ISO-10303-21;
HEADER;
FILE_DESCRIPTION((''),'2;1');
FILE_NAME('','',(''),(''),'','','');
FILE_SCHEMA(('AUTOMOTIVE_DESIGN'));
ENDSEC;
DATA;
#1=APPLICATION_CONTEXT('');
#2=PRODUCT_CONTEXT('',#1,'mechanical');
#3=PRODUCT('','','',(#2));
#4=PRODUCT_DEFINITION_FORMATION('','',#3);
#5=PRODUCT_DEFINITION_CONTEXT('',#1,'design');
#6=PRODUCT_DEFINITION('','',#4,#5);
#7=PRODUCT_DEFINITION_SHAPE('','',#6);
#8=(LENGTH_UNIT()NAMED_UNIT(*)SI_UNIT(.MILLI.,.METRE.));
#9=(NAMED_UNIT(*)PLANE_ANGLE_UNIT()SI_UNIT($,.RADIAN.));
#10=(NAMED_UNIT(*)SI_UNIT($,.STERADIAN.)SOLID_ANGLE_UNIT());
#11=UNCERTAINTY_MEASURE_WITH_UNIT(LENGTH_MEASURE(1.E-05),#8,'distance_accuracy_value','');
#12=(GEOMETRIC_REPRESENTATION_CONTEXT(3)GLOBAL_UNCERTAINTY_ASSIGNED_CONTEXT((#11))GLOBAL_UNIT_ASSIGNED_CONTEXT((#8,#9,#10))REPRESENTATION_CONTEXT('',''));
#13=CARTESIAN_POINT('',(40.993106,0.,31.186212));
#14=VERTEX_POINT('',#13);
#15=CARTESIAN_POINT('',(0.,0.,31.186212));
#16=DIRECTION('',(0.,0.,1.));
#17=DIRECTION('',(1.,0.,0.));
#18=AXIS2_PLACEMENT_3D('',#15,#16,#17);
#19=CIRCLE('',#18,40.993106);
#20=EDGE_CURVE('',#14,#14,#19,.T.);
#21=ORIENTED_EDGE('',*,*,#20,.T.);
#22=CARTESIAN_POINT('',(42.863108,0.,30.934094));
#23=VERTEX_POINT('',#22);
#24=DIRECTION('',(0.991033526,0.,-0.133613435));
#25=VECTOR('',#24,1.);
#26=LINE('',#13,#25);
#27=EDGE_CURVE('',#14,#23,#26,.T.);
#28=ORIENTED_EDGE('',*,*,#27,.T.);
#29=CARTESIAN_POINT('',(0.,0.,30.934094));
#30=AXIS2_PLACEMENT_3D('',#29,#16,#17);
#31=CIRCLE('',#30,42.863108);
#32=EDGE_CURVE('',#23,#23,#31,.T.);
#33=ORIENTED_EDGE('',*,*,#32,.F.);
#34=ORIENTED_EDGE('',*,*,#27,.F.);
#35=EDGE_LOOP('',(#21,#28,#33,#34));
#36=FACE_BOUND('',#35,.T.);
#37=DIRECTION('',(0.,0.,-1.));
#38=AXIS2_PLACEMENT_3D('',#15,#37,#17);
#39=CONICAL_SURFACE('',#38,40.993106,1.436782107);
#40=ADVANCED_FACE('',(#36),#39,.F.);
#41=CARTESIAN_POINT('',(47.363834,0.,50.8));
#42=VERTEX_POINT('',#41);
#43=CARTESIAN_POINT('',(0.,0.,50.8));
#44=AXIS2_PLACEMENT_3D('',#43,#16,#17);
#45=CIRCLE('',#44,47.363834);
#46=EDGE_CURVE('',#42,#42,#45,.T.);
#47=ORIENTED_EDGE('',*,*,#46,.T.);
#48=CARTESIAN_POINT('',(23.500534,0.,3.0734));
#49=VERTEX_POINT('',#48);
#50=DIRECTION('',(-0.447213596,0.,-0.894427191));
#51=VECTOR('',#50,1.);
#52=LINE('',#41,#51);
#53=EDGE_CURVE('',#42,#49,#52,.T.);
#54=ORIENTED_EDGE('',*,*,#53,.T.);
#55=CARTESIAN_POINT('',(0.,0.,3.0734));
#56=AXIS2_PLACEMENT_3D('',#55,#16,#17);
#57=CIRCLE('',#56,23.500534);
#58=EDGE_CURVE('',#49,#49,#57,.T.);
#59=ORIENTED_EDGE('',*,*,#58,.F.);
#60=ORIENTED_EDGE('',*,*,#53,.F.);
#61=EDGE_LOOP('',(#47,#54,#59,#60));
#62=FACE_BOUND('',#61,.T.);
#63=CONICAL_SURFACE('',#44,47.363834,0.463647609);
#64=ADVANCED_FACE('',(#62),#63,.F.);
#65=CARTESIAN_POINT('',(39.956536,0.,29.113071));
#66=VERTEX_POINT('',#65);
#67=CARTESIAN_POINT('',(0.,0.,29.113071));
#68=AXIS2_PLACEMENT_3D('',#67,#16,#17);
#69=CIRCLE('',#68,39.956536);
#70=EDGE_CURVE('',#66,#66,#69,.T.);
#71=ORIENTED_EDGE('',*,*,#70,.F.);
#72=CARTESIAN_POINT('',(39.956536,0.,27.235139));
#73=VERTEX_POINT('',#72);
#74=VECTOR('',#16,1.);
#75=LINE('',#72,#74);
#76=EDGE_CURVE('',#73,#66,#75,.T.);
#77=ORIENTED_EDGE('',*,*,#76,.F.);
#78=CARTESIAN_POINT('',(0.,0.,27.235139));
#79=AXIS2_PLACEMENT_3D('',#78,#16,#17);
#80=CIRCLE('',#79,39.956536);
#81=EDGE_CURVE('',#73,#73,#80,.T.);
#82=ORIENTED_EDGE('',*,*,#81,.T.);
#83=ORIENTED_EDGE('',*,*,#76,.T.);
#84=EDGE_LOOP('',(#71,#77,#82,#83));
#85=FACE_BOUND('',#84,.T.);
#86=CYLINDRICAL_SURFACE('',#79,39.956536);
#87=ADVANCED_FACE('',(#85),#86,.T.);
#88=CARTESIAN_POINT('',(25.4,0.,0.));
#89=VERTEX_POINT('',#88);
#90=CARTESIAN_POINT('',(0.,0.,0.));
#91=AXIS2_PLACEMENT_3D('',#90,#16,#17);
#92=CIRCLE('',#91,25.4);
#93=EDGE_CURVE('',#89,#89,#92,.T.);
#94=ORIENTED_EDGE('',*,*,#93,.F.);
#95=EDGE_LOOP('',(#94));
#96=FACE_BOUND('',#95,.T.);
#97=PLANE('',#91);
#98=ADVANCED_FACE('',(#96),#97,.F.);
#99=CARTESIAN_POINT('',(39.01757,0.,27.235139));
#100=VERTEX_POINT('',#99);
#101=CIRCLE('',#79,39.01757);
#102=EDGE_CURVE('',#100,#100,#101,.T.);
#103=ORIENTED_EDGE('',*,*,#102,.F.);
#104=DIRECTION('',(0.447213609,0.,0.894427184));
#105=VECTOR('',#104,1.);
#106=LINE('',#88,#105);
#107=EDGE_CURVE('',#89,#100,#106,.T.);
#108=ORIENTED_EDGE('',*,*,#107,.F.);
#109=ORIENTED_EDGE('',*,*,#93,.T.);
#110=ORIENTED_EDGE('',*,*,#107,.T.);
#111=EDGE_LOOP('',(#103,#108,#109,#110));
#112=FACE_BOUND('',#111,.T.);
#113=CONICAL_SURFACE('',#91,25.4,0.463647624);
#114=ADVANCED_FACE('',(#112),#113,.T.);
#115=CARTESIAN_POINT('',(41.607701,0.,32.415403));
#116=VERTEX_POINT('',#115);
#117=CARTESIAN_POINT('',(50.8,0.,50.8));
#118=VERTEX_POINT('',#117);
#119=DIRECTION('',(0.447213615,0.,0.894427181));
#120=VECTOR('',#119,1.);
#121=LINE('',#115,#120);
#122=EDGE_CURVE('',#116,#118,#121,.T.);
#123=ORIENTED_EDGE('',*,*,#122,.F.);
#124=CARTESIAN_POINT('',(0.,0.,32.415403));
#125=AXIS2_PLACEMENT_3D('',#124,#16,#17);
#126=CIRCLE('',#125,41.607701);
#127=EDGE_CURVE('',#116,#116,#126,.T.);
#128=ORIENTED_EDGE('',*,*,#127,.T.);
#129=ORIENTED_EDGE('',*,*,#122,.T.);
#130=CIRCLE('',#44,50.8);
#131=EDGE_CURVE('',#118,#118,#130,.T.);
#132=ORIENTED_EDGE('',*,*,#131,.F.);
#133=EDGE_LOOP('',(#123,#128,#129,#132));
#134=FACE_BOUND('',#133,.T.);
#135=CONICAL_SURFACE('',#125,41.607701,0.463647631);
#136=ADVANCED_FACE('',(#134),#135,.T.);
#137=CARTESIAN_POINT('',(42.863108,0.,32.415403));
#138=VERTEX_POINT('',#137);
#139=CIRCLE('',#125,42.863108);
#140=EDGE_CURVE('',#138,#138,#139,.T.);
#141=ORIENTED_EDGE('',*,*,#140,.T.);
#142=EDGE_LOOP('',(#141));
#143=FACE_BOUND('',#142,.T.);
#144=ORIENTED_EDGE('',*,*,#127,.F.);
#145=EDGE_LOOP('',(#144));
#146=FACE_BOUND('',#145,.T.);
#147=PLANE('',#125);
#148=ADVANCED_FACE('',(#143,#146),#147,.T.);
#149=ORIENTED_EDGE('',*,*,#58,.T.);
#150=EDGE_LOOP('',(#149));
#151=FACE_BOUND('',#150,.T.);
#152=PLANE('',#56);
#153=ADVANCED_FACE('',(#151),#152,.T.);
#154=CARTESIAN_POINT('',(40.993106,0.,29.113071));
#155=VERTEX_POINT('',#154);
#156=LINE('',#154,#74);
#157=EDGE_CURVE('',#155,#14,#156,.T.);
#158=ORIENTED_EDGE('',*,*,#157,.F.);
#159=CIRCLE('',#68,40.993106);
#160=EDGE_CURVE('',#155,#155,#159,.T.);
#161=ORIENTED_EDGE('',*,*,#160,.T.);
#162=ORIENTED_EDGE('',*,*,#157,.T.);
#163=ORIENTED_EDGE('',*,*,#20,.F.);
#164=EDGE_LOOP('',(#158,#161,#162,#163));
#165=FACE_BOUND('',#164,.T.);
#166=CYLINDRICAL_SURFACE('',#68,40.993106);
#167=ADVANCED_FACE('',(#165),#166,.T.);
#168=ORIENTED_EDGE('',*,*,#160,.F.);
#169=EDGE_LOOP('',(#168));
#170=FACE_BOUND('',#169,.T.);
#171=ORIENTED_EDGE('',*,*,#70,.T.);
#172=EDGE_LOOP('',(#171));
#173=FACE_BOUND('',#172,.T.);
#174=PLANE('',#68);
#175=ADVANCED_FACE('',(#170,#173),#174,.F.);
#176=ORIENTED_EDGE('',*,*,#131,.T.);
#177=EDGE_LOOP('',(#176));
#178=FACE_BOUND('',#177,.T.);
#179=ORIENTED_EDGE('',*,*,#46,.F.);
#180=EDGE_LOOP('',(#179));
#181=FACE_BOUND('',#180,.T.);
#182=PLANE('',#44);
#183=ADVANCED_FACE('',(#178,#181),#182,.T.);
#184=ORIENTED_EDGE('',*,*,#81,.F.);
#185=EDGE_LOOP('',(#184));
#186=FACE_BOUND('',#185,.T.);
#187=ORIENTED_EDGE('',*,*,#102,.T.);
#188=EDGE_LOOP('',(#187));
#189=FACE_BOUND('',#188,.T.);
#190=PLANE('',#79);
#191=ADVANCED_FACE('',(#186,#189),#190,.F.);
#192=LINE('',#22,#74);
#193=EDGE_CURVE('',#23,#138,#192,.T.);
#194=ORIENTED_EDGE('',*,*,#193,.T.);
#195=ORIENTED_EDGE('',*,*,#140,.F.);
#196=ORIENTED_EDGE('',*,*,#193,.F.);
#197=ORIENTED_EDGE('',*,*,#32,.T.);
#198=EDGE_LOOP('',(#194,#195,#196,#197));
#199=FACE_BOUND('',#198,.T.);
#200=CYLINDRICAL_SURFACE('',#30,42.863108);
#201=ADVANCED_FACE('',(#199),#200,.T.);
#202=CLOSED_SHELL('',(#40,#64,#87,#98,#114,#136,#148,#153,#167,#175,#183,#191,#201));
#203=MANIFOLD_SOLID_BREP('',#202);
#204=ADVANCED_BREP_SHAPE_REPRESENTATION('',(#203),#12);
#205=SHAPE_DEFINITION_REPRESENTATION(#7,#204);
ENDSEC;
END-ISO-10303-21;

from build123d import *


with BuildPart() as f1:
    # F0 (on Front) → F1 (revolve)
    with BuildSketch(Plane.XZ):
        Polygon((0, 3.0734), (0, 0), (25.4, 0), (39.01757, 27.235139), (39.956536, 29.113071), (40.993106, 31.186212), (41.607701, 32.415403), (50.8, 50.8), (47.363834, 50.8), (23.500534, 3.0734), align=None)
        Polygon((41.607701, 32.415403), (40.993106, 31.186212), (42.863108, 30.934094), (42.863108, 32.415403), align=None)
        Polygon((40.993106, 31.186212), (39.956536, 29.113071), (40.993106, 29.113071), align=None)
        Polygon((39.956536, 29.113071), (39.01757, 27.235139), (39.956536, 27.235139), align=None)
    revolve(axis=Axis((0, 0, 25.4), (0, 0, 1)))


solid = f1.part
